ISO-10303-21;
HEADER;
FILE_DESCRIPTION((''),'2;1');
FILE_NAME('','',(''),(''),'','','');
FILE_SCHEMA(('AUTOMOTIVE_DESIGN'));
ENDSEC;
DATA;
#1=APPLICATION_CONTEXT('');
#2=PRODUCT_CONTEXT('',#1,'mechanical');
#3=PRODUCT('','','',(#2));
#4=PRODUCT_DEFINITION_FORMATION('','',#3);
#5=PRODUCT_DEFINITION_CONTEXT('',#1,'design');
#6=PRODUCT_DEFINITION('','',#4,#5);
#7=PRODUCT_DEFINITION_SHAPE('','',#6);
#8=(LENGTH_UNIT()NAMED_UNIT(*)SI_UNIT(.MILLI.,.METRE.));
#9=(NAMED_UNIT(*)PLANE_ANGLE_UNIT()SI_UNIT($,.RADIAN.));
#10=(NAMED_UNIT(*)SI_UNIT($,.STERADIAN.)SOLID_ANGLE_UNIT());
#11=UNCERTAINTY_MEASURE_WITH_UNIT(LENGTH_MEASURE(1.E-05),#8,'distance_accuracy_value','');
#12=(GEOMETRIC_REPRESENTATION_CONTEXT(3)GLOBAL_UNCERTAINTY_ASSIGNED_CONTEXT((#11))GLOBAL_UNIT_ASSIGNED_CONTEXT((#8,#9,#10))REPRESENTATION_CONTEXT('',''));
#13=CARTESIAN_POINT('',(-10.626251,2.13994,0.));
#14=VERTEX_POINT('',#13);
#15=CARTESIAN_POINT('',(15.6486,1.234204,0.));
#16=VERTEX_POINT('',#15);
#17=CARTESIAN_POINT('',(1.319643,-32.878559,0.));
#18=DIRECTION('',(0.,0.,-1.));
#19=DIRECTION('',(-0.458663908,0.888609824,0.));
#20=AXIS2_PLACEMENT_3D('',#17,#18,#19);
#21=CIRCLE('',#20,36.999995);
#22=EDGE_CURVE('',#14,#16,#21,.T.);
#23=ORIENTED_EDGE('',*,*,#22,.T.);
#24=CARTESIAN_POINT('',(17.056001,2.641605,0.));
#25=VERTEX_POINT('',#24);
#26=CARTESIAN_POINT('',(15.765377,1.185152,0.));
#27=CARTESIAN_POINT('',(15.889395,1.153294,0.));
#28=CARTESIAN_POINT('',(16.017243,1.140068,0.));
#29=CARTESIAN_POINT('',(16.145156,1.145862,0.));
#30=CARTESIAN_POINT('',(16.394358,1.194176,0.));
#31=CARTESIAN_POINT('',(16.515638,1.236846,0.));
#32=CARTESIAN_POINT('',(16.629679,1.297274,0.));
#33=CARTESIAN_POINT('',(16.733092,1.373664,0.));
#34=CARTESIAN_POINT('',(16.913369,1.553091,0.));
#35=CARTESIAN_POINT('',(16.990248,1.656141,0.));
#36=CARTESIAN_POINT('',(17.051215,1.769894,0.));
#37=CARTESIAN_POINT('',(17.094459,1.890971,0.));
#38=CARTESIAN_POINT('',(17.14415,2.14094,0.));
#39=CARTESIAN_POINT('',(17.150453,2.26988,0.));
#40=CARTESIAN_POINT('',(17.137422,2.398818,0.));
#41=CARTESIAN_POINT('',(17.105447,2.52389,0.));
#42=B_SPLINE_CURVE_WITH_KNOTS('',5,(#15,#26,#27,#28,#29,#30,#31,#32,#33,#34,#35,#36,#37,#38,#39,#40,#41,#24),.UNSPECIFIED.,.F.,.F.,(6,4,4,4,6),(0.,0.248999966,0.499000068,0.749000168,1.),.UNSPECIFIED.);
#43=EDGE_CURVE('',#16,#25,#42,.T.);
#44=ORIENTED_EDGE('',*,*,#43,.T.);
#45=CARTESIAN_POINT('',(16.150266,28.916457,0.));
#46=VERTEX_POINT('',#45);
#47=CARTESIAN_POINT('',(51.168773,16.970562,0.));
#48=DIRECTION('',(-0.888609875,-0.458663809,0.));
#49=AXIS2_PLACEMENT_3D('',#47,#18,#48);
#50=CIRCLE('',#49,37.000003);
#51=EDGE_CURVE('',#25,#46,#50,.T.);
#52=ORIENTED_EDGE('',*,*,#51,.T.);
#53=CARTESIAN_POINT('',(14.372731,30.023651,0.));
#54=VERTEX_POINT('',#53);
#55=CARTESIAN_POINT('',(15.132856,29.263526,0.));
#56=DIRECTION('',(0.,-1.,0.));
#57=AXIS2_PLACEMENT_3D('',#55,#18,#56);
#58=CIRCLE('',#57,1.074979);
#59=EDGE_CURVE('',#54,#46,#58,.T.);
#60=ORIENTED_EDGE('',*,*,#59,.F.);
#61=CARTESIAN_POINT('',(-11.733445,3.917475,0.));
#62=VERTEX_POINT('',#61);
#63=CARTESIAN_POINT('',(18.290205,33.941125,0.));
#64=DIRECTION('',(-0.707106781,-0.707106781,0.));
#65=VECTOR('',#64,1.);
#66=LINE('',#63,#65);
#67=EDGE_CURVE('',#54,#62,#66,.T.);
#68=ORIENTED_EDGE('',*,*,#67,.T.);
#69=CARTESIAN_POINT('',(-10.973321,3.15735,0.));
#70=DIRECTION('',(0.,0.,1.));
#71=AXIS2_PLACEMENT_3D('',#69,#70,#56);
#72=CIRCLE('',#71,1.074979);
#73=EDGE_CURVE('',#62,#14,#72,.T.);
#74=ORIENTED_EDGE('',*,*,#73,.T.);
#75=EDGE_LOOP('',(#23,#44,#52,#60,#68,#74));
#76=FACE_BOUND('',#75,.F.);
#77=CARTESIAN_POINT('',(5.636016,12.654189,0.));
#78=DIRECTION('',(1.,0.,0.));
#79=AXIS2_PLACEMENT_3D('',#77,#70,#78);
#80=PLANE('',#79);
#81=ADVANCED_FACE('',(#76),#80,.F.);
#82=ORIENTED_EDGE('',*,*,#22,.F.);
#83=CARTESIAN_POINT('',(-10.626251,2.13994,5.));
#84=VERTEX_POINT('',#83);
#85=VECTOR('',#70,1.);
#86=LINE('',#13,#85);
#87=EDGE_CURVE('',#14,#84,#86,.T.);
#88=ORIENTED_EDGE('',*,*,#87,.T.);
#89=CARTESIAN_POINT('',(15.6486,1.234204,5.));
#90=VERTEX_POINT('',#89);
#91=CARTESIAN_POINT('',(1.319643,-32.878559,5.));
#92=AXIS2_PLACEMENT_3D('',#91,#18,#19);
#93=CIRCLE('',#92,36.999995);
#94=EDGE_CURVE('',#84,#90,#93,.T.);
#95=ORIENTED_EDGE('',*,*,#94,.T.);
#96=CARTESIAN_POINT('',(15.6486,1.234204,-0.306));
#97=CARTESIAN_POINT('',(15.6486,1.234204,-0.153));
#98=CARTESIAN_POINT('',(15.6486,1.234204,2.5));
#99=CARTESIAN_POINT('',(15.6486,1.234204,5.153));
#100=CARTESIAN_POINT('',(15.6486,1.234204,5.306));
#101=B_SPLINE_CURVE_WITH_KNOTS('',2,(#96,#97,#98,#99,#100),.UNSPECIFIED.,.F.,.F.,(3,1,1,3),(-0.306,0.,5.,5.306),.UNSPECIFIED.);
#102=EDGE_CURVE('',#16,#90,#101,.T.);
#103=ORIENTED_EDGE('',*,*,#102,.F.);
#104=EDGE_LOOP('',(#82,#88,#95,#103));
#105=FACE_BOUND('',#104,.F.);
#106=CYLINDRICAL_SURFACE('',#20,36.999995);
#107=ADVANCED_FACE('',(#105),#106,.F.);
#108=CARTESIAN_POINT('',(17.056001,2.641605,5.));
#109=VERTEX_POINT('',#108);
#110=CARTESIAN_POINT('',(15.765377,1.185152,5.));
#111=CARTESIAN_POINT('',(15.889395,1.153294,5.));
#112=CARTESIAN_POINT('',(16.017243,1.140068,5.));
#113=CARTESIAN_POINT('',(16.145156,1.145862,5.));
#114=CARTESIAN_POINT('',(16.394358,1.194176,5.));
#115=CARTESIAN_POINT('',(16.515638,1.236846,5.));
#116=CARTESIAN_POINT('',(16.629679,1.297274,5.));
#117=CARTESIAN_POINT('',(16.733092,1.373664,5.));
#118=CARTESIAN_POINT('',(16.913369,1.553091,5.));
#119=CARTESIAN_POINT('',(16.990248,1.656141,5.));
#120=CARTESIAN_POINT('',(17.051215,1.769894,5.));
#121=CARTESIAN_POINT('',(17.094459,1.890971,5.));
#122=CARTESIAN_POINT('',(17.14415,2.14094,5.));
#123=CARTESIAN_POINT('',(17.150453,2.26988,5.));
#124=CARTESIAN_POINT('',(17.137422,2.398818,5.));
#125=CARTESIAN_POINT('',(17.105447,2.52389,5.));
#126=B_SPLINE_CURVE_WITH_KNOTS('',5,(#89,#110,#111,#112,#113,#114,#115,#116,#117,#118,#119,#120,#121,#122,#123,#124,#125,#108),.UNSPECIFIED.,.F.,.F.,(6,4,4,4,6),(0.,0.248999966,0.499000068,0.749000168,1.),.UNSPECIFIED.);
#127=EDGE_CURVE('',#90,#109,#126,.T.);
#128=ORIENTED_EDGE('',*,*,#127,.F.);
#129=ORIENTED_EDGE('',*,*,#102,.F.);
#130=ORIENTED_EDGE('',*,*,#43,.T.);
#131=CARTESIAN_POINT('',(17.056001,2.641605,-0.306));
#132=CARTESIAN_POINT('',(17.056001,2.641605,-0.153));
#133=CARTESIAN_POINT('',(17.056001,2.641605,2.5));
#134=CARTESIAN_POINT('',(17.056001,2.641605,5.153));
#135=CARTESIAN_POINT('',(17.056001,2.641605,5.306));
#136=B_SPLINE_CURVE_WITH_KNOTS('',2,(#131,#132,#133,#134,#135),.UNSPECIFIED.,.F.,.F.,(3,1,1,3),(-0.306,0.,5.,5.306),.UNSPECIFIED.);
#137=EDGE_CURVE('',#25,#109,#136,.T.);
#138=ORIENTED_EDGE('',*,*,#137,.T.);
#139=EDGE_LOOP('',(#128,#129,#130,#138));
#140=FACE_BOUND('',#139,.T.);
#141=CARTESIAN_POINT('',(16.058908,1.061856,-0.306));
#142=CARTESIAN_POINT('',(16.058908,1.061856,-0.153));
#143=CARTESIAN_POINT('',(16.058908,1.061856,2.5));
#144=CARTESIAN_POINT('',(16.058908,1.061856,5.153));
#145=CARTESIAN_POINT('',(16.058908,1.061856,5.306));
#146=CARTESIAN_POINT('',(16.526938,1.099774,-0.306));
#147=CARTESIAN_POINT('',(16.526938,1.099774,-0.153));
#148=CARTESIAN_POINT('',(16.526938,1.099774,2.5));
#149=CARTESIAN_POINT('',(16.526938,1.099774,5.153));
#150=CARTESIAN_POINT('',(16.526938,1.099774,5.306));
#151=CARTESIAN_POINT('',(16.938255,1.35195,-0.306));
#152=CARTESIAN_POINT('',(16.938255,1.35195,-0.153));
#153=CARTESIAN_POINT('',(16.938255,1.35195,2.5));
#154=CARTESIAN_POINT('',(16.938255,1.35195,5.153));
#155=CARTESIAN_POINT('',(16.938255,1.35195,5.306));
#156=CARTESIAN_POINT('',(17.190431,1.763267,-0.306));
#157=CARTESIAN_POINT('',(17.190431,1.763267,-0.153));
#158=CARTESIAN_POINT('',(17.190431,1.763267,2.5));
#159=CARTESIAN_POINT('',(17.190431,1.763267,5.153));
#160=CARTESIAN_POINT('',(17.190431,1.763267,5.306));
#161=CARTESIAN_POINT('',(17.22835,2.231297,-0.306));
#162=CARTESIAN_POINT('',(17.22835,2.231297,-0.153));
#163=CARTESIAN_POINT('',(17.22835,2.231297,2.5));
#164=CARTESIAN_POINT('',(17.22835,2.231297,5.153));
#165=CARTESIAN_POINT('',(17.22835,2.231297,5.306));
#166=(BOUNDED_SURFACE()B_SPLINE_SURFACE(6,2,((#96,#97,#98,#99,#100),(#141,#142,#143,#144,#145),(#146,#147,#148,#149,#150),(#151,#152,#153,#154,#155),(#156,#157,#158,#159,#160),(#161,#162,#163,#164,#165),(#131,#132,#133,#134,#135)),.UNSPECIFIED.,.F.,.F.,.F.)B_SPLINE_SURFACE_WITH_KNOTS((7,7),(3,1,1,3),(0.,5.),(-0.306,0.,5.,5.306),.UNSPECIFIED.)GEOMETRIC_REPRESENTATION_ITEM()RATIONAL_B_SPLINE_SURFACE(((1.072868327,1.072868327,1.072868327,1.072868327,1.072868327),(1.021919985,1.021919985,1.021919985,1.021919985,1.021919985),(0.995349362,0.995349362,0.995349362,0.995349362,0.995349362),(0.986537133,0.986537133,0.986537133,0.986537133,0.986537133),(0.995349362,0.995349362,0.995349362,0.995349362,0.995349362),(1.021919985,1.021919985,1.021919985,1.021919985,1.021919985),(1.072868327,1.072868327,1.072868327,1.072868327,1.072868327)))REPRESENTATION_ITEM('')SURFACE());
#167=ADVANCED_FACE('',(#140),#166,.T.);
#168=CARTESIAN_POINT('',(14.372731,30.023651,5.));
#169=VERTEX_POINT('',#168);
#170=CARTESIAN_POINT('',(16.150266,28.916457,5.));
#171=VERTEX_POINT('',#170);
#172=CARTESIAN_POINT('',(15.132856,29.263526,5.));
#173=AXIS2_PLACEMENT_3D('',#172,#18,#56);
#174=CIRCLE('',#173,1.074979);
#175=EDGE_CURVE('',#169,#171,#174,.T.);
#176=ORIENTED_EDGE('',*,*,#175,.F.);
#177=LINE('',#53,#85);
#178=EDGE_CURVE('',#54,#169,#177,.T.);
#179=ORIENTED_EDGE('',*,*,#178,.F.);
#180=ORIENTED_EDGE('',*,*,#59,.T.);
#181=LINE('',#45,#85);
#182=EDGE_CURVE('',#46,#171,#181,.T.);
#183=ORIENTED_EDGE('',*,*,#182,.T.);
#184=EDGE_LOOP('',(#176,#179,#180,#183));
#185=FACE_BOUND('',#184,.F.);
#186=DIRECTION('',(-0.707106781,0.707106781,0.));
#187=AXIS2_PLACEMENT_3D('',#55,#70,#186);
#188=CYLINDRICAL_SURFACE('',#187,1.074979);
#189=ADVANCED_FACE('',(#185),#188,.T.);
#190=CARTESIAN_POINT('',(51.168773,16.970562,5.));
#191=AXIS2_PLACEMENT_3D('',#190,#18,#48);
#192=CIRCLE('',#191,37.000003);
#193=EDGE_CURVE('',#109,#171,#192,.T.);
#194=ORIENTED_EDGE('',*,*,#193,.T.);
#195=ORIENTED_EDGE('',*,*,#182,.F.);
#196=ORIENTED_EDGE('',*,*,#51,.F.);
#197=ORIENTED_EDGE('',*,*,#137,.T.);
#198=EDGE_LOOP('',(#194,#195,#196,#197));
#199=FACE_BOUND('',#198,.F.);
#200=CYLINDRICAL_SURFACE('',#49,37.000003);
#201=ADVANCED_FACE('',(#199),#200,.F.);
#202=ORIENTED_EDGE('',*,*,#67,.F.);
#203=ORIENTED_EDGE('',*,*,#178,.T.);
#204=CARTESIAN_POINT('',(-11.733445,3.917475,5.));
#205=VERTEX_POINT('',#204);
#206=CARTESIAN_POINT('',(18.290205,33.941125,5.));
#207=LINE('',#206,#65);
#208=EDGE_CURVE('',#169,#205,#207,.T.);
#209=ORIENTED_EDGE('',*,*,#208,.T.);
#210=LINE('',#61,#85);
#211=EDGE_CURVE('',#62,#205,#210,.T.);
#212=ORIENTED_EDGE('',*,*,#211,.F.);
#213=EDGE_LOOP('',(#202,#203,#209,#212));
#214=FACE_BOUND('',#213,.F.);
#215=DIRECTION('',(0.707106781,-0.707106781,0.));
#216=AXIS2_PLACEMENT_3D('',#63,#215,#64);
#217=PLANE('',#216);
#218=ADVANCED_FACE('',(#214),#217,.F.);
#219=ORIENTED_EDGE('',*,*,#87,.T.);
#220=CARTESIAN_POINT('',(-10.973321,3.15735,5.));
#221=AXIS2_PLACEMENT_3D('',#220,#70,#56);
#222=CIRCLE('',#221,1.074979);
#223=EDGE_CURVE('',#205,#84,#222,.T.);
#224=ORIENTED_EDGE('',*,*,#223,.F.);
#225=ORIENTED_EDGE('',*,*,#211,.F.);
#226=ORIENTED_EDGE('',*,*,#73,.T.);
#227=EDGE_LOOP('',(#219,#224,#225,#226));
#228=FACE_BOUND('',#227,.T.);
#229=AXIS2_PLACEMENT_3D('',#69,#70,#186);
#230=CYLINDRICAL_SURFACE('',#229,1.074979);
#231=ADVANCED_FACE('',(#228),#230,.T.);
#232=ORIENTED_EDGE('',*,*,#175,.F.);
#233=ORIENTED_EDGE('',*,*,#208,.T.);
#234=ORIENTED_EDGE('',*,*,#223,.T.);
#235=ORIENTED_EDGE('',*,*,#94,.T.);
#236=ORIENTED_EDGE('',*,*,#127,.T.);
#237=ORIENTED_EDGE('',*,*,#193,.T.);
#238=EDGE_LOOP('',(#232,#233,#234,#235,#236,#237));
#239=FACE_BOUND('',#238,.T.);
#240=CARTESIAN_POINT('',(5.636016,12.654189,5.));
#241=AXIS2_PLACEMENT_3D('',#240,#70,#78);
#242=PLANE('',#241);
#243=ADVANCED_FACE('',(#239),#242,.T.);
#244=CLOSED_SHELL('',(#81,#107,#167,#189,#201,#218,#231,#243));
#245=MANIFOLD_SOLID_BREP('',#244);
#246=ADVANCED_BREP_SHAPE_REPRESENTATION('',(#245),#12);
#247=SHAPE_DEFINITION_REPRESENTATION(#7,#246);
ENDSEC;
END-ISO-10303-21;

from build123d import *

# Parameters (mm, degrees)
F1_DEPTH = 5
F2_R     = 1.074979


with BuildPart() as f1:
    # F0 (on Top) → F1 (new body)
    with BuildSketch(Plane.XY):
        with BuildLine():
            Line((18.290205, 33.941125), (-15.65092, 0))
            ThreePointArc((-15.65092, 0), (1.319643, 4.121436), (18.290205, 0))
            ThreePointArc((18.290205, 0), (14.16877, 16.970563), (18.290205, 33.941125))
        make_face()
    extrude(amount=F1_DEPTH)

    # F2
    f2_edges = [f1.edges().sort_by_distance(p)[0] for p in [
        (18.290205, 33.941125, 2.5),
        (-15.65092, 0, 2.5),
        (18.290205, 0, 2.5),
    ]]
    fillet(f2_edges, radius=F2_R)


solid = f1.part
